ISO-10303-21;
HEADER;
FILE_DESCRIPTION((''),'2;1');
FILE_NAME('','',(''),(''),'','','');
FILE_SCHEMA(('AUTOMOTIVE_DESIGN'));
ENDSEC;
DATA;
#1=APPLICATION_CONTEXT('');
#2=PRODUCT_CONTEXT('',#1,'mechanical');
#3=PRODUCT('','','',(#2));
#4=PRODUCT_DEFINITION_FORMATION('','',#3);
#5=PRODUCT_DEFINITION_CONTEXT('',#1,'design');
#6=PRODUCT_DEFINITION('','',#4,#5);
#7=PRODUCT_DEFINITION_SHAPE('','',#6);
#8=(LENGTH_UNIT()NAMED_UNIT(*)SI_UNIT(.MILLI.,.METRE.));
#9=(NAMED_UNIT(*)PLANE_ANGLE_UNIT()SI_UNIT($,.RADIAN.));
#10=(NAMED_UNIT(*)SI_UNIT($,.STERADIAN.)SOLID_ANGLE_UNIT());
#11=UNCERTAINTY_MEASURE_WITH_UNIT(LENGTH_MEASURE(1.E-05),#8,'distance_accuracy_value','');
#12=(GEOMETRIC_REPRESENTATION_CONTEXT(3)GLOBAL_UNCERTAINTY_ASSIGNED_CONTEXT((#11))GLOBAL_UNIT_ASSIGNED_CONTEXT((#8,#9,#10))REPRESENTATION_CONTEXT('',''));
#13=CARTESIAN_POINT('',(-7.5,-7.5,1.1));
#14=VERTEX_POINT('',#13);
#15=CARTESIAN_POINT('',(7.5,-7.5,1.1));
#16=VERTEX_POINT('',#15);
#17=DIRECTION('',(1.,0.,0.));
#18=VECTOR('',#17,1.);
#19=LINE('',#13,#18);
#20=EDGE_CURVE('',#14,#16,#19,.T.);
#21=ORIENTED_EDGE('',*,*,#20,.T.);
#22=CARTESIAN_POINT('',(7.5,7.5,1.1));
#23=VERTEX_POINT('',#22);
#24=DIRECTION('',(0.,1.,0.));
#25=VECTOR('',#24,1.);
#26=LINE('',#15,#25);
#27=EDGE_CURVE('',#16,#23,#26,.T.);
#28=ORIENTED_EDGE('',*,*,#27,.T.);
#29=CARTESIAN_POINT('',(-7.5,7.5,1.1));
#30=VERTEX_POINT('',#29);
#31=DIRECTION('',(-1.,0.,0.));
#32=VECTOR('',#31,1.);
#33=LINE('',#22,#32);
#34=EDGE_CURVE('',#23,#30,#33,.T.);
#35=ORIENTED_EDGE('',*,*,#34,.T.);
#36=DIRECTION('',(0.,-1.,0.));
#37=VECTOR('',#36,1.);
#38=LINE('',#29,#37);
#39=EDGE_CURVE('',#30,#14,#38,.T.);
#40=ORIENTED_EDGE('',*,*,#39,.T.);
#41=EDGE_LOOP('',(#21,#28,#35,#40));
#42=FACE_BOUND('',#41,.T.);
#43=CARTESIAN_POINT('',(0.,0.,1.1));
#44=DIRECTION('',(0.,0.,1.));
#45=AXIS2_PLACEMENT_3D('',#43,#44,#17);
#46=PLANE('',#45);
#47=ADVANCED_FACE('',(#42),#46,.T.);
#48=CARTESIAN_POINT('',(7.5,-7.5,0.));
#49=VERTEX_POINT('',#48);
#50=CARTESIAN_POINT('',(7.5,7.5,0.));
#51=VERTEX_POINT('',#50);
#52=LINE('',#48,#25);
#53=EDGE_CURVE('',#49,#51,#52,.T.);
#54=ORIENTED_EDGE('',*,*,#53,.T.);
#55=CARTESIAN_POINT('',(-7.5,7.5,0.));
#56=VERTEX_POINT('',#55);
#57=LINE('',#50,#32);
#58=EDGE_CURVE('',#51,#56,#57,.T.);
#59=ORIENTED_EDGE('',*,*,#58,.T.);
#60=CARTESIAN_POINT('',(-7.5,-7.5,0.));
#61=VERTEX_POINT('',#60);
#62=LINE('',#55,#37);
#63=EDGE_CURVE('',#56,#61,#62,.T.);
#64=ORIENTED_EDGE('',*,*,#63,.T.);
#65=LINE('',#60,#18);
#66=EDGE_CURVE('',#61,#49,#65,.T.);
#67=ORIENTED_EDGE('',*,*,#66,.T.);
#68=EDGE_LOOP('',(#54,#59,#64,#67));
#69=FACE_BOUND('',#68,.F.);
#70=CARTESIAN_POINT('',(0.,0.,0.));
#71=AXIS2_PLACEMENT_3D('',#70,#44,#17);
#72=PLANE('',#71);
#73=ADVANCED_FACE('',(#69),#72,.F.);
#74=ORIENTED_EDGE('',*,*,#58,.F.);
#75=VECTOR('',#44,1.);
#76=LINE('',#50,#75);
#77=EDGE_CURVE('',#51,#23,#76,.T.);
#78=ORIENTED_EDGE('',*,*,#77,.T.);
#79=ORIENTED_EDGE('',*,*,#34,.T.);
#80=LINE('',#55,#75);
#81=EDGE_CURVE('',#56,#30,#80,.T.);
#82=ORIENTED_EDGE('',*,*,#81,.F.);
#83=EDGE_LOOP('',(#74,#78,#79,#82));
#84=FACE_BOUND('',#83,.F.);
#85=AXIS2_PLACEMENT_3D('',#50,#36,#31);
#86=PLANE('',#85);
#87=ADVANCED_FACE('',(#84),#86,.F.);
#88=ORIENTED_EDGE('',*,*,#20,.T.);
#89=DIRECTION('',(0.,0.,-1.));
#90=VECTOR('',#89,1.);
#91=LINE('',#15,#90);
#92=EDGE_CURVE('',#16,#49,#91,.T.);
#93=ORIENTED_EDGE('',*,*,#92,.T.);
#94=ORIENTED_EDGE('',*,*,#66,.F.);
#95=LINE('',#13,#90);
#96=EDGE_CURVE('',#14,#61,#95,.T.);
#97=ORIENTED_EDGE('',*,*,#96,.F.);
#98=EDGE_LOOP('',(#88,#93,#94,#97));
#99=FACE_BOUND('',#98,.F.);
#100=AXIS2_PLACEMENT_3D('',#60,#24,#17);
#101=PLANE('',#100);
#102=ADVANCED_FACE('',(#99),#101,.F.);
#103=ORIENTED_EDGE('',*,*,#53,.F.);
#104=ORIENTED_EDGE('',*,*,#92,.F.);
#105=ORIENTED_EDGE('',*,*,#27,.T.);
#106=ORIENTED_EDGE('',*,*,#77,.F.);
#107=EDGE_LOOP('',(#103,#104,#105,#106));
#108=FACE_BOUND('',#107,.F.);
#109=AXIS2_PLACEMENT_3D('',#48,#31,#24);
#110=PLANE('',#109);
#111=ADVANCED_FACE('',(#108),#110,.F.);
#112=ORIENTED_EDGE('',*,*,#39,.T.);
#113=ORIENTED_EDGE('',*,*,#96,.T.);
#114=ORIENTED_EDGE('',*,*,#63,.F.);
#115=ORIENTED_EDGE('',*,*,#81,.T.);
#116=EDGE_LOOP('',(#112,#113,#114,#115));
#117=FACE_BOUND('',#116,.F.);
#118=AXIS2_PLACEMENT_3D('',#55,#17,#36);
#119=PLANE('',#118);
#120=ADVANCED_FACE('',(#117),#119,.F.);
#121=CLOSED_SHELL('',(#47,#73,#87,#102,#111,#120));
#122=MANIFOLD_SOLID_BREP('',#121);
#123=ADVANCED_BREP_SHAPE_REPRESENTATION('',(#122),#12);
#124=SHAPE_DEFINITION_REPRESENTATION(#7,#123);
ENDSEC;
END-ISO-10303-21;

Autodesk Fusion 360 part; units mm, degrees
sketch "Sketch1" plane through (0, 0, 0) normal (0, 0, 1) x (1, 0, 0)
  circle A0 centre (0, 0) radius 7
  dimension "d1" = 14
extrude "Extrude1" add sketch "Sketch1" along normal blind 1.1

Autodesk Fusion 360 part; units mm, degrees
sketch "Sketch1" plane through (0, 0, 0) normal (0, 0, 1) x (1, 0, 0)
  line L0 (7.5, 7.5) -> (-7.5, 7.5)
  line L1 (-7.5, 7.5) -> (-7.5, -7.5)
  line L2 (-7.5, -7.5) -> (7.5, -7.5)
  line L3 (7.5, -7.5) -> (7.5, 7.5)
  line L4 (7.5, 7.5) -> (-7.5, -7.5) construction
  line L5 (-7.5, 7.5) -> (7.5, -7.5) construction
  dimension "d2" = 15
extrude "Extrude1" add sketch "Sketch1" along normal blind 0.2
